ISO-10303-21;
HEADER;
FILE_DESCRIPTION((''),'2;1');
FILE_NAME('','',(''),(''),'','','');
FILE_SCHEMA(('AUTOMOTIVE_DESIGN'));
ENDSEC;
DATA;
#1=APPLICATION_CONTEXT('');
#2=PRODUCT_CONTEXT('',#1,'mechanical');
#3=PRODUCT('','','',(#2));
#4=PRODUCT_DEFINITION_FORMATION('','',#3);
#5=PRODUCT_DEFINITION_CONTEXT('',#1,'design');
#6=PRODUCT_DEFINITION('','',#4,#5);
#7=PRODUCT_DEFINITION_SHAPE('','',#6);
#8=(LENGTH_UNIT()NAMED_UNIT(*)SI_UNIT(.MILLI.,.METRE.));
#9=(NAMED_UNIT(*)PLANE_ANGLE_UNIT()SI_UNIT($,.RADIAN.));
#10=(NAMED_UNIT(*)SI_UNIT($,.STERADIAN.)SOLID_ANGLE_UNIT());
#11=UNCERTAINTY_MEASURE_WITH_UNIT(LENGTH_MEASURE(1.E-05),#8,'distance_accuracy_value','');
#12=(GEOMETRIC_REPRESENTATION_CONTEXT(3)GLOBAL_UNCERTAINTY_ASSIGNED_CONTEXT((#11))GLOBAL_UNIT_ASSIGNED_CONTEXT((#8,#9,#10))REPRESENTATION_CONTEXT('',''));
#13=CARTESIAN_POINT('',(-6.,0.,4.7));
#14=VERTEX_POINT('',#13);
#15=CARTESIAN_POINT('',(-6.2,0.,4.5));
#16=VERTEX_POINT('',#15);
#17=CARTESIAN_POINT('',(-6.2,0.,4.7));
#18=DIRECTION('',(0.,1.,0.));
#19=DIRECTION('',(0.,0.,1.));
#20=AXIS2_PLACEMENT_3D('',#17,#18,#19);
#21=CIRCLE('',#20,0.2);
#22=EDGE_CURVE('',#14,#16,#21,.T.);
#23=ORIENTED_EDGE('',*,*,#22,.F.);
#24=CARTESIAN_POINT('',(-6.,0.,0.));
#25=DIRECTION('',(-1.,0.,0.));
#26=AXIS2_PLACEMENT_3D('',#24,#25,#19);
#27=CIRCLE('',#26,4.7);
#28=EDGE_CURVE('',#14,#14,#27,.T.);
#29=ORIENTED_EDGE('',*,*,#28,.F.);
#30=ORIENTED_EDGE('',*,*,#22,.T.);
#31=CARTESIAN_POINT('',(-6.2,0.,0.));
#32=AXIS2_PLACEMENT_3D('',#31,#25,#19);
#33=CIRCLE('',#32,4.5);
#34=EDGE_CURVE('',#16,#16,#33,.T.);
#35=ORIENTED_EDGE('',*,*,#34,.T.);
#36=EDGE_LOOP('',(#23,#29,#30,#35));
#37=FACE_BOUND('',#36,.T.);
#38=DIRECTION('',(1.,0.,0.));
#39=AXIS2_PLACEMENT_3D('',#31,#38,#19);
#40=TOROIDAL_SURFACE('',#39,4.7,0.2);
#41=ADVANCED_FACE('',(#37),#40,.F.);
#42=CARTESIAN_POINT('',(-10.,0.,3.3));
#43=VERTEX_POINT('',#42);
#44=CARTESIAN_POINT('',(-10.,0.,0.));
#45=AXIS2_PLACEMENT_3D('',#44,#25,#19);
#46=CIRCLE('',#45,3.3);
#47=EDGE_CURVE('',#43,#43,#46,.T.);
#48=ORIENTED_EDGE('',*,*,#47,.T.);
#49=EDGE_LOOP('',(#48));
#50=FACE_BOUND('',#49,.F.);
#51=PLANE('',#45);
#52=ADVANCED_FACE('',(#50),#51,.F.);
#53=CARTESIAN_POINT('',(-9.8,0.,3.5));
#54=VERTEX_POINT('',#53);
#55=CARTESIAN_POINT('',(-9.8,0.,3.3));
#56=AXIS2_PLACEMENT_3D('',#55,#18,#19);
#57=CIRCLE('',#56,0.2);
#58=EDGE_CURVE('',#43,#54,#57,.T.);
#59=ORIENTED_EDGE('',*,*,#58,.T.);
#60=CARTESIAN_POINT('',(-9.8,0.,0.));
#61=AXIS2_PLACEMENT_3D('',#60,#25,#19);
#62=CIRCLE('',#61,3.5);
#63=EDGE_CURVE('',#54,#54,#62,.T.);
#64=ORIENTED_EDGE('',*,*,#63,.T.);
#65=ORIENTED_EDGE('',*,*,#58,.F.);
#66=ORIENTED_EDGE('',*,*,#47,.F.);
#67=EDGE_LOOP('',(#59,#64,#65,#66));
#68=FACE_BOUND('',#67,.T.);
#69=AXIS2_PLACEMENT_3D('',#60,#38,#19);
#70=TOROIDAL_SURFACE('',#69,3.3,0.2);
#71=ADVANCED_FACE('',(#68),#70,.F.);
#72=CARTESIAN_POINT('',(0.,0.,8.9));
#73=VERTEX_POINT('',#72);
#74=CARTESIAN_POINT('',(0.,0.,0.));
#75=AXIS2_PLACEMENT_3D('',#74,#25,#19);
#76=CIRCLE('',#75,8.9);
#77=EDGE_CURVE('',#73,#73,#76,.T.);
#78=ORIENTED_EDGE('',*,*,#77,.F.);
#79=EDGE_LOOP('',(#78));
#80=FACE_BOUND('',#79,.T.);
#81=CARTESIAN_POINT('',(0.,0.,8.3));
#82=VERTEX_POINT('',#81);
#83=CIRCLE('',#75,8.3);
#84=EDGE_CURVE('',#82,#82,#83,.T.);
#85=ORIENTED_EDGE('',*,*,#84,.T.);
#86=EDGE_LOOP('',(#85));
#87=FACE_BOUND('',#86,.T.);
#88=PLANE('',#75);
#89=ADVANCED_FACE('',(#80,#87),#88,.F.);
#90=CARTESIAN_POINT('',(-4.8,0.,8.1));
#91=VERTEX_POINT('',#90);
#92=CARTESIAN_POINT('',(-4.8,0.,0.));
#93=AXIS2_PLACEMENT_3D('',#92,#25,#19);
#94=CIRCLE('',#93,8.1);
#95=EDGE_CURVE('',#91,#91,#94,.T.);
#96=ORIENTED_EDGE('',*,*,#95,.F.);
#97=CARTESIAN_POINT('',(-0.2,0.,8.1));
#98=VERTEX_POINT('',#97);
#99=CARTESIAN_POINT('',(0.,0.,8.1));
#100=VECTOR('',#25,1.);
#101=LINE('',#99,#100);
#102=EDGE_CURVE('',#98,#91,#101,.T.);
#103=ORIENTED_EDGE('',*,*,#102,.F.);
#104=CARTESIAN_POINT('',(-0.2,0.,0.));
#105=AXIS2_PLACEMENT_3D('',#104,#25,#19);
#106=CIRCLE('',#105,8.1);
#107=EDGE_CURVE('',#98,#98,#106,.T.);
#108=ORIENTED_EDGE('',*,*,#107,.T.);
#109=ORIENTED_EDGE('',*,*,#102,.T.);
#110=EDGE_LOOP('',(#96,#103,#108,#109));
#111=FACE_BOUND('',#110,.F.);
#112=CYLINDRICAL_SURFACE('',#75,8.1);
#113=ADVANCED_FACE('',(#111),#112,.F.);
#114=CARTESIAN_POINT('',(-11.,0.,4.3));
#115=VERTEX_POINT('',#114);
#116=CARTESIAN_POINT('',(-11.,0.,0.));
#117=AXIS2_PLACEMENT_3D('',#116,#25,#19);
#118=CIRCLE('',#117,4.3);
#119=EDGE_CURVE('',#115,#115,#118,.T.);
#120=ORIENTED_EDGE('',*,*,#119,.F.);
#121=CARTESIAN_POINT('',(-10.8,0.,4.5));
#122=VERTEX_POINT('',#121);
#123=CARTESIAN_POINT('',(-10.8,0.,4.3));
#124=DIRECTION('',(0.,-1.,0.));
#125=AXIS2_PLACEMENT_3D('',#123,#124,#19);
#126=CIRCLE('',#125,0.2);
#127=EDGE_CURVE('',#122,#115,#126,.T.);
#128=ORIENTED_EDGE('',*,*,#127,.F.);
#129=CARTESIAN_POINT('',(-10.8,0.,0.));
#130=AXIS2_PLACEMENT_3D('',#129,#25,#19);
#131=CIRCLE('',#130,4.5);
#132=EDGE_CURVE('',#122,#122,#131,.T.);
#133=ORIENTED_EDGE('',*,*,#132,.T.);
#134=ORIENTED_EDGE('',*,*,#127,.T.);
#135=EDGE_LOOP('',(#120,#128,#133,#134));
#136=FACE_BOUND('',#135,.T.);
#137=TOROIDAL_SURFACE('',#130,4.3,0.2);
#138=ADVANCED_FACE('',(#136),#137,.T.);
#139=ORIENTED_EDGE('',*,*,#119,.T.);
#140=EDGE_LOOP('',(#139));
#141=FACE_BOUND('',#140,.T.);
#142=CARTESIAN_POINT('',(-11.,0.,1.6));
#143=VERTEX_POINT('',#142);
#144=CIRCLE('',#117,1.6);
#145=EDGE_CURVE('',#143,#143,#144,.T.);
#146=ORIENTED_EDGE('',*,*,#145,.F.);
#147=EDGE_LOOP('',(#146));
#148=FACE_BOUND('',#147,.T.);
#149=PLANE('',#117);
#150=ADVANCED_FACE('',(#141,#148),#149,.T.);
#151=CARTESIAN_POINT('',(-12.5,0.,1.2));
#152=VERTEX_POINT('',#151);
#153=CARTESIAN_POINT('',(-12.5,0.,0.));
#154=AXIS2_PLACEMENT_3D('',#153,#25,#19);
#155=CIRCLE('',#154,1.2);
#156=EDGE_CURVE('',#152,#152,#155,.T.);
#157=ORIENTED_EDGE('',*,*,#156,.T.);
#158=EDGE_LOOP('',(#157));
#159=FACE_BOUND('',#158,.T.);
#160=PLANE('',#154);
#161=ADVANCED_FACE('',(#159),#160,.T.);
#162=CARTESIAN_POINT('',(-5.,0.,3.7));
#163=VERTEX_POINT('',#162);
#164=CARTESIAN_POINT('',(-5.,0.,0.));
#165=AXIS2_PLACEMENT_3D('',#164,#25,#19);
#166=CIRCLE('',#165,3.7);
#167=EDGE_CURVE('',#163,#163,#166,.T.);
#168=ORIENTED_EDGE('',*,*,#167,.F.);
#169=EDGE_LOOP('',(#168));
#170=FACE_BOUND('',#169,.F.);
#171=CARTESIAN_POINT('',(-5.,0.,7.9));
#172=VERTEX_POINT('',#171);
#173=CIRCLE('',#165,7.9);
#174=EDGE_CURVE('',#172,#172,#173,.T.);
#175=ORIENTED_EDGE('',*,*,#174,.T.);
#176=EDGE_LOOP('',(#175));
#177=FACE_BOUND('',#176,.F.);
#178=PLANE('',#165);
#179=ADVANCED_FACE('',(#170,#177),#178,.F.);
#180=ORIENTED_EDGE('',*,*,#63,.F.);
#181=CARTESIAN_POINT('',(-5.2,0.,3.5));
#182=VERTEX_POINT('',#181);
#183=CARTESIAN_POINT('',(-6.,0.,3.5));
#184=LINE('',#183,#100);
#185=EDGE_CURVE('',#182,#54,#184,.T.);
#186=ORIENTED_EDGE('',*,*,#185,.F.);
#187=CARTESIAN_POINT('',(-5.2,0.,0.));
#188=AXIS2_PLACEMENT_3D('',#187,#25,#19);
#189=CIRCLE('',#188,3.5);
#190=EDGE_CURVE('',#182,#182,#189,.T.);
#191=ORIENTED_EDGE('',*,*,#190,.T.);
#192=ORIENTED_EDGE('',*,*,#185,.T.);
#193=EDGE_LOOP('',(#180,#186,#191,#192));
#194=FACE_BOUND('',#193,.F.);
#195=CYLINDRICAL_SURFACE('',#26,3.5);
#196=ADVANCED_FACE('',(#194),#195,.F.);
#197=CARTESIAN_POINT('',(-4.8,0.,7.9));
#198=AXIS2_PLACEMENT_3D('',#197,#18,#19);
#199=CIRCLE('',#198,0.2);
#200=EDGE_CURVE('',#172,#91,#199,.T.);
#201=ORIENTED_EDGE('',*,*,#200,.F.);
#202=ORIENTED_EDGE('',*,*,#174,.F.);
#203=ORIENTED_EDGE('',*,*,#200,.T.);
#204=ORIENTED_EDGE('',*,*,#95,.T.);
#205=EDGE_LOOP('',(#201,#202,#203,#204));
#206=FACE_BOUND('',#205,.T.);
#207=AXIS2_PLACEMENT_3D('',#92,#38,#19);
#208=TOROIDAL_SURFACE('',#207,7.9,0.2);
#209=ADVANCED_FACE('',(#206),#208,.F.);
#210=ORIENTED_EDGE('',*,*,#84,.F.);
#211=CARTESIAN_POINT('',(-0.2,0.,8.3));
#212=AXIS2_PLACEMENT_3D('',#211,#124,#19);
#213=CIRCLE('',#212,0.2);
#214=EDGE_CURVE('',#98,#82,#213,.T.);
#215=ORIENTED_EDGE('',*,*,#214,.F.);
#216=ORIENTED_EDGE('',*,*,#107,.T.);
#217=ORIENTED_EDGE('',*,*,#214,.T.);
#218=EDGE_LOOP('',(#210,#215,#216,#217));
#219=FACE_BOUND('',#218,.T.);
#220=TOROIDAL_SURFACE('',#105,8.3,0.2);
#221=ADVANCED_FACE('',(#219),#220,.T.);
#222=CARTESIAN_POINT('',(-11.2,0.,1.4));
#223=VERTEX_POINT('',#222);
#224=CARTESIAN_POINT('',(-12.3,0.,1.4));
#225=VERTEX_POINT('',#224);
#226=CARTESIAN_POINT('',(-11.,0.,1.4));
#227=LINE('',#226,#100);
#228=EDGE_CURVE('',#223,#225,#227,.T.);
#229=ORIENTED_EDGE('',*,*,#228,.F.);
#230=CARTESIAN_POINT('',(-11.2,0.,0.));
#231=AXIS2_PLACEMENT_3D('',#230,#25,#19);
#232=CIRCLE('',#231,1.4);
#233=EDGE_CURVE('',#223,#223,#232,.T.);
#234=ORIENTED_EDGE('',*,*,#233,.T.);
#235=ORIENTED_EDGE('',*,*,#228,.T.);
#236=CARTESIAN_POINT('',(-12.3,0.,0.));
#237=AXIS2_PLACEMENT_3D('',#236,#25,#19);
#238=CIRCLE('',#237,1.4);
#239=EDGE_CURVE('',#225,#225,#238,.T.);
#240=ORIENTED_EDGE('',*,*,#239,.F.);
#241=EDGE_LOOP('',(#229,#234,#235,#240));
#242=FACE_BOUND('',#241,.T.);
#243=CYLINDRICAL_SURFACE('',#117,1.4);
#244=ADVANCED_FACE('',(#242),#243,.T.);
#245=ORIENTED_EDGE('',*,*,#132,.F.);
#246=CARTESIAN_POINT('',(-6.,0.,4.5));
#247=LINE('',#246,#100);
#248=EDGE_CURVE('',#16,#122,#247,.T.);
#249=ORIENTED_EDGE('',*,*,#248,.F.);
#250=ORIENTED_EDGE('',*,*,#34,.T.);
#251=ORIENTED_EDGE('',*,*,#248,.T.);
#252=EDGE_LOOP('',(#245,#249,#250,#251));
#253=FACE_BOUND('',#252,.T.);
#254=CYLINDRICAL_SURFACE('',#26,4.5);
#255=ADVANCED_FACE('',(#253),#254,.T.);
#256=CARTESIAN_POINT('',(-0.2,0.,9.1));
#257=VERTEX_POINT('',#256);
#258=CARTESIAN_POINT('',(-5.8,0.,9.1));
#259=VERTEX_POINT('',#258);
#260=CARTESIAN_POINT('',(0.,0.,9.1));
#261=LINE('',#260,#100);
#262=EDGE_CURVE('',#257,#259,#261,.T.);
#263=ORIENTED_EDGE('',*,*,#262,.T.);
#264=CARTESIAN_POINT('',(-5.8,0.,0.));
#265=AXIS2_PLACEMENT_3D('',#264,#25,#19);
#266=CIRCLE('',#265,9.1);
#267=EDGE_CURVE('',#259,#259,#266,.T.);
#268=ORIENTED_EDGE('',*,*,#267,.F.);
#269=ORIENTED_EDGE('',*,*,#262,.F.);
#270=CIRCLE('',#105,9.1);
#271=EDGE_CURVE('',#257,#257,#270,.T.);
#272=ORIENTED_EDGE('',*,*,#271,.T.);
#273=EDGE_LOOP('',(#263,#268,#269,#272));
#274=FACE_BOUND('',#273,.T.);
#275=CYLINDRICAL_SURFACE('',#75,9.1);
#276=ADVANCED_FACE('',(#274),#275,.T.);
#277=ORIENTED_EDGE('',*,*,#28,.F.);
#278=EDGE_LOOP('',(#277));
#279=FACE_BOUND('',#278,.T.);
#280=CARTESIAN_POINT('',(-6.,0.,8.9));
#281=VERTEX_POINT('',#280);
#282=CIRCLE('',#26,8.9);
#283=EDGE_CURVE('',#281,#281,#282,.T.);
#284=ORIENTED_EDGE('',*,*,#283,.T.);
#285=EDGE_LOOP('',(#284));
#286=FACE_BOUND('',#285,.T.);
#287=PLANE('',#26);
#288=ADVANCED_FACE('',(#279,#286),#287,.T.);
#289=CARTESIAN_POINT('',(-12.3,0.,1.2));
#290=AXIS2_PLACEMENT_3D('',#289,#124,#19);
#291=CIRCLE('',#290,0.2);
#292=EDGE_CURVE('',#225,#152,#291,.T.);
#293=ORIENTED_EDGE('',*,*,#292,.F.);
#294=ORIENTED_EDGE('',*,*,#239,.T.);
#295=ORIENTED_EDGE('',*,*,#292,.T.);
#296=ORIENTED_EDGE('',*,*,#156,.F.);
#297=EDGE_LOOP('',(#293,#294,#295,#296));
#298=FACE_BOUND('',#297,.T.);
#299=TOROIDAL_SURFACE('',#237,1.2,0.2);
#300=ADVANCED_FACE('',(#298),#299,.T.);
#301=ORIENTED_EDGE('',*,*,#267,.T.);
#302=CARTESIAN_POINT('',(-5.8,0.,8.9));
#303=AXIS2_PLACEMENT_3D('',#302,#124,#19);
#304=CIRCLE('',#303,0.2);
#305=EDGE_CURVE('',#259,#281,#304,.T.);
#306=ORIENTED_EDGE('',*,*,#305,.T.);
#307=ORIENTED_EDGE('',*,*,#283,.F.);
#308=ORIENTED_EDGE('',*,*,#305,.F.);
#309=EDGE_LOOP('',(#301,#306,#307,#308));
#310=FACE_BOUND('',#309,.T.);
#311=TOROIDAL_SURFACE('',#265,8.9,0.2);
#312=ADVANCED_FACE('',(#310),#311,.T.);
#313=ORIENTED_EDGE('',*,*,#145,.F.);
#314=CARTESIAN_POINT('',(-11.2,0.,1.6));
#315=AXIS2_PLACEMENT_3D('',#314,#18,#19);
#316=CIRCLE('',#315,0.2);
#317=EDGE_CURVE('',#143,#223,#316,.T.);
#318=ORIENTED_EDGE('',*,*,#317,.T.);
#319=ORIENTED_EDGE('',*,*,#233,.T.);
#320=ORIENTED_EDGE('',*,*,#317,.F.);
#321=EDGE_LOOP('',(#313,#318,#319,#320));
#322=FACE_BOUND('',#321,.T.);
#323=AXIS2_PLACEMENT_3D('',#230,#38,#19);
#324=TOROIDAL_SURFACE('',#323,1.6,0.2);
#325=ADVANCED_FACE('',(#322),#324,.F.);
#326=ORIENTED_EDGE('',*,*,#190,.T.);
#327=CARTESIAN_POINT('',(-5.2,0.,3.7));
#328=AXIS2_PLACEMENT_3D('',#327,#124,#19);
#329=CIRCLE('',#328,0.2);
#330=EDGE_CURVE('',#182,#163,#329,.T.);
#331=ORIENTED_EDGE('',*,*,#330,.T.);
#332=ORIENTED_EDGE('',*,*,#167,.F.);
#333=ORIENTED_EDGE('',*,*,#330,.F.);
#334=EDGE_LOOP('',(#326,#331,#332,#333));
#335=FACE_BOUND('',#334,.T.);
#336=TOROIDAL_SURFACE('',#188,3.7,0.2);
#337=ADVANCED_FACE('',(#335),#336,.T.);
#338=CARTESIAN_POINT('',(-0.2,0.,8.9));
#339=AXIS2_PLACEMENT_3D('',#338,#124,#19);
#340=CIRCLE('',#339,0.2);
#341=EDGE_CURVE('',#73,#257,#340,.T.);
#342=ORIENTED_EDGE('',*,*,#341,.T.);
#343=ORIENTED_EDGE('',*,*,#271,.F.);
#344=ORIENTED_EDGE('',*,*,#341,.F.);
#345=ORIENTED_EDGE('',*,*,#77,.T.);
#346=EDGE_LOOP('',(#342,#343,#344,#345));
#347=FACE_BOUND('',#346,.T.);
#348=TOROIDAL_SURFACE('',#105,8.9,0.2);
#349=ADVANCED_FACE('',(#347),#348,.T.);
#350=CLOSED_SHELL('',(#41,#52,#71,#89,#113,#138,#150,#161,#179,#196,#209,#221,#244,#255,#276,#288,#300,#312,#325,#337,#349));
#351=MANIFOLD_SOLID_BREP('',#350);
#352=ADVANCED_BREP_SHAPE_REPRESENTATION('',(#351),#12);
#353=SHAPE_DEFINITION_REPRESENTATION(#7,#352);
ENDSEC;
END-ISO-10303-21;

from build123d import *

# Parameters (mm, degrees)
F2_T     = -1
F3_DEPTH = 1.5
F4_R     = 0.2


with BuildPart() as f1:
    # F0 (on Front) → F1 (revolve)
    with BuildSketch(Plane.XZ):
        Polygon((-12.5, 0), (0, 0), (0, 9.1), (-6, 9.1), (-6, 4.5), (-11, 4.5), (-11, 1.4), (-12.5, 1.4), align=None)
    revolve(axis=Axis((-6.25, 0, 0), (-1, 0, 0)))

    # F2
    f2_openings = [f1.faces().sort_by_distance(p)[0] for p in [
        (0, 0, 0),
    ]]
    offset(amount=F2_T, openings=f2_openings, kind=Kind.INTERSECTION)

    # F3 (add, through all): a face of the model
    f3_faces = [f1.faces().sort_by_distance(p)[0] for p in [
        (-11.5, 0, 0),
    ]]
    extrude(f3_faces, amount=F3_DEPTH)

    # F4
    f4_edges = [f1.edges().sort_by_distance(p)[0] for p in [
        (-11, 0, -1.4),
        (-12.5, 0, -1.4),
        (-11.75, 0, 1.4),
        (-6, 0, -9.1),
        (-6, 0, -4.5),
        (-11, 0, -4.5),
        (-8.5, 0, 4.5),
        (0, 0, -9.1),
        (-3, 0, 9.1),
        (0, 0, -8.1),
        (-10, 0, -3.5),
        (-5, 0, -3.5),
        (-7.5, 0, 3.5),
        (-5, 0, -8.1),
        (-2.5, 0, 8.1),
    ]]
    fillet(f4_edges, radius=F4_R)


solid = f1.part
